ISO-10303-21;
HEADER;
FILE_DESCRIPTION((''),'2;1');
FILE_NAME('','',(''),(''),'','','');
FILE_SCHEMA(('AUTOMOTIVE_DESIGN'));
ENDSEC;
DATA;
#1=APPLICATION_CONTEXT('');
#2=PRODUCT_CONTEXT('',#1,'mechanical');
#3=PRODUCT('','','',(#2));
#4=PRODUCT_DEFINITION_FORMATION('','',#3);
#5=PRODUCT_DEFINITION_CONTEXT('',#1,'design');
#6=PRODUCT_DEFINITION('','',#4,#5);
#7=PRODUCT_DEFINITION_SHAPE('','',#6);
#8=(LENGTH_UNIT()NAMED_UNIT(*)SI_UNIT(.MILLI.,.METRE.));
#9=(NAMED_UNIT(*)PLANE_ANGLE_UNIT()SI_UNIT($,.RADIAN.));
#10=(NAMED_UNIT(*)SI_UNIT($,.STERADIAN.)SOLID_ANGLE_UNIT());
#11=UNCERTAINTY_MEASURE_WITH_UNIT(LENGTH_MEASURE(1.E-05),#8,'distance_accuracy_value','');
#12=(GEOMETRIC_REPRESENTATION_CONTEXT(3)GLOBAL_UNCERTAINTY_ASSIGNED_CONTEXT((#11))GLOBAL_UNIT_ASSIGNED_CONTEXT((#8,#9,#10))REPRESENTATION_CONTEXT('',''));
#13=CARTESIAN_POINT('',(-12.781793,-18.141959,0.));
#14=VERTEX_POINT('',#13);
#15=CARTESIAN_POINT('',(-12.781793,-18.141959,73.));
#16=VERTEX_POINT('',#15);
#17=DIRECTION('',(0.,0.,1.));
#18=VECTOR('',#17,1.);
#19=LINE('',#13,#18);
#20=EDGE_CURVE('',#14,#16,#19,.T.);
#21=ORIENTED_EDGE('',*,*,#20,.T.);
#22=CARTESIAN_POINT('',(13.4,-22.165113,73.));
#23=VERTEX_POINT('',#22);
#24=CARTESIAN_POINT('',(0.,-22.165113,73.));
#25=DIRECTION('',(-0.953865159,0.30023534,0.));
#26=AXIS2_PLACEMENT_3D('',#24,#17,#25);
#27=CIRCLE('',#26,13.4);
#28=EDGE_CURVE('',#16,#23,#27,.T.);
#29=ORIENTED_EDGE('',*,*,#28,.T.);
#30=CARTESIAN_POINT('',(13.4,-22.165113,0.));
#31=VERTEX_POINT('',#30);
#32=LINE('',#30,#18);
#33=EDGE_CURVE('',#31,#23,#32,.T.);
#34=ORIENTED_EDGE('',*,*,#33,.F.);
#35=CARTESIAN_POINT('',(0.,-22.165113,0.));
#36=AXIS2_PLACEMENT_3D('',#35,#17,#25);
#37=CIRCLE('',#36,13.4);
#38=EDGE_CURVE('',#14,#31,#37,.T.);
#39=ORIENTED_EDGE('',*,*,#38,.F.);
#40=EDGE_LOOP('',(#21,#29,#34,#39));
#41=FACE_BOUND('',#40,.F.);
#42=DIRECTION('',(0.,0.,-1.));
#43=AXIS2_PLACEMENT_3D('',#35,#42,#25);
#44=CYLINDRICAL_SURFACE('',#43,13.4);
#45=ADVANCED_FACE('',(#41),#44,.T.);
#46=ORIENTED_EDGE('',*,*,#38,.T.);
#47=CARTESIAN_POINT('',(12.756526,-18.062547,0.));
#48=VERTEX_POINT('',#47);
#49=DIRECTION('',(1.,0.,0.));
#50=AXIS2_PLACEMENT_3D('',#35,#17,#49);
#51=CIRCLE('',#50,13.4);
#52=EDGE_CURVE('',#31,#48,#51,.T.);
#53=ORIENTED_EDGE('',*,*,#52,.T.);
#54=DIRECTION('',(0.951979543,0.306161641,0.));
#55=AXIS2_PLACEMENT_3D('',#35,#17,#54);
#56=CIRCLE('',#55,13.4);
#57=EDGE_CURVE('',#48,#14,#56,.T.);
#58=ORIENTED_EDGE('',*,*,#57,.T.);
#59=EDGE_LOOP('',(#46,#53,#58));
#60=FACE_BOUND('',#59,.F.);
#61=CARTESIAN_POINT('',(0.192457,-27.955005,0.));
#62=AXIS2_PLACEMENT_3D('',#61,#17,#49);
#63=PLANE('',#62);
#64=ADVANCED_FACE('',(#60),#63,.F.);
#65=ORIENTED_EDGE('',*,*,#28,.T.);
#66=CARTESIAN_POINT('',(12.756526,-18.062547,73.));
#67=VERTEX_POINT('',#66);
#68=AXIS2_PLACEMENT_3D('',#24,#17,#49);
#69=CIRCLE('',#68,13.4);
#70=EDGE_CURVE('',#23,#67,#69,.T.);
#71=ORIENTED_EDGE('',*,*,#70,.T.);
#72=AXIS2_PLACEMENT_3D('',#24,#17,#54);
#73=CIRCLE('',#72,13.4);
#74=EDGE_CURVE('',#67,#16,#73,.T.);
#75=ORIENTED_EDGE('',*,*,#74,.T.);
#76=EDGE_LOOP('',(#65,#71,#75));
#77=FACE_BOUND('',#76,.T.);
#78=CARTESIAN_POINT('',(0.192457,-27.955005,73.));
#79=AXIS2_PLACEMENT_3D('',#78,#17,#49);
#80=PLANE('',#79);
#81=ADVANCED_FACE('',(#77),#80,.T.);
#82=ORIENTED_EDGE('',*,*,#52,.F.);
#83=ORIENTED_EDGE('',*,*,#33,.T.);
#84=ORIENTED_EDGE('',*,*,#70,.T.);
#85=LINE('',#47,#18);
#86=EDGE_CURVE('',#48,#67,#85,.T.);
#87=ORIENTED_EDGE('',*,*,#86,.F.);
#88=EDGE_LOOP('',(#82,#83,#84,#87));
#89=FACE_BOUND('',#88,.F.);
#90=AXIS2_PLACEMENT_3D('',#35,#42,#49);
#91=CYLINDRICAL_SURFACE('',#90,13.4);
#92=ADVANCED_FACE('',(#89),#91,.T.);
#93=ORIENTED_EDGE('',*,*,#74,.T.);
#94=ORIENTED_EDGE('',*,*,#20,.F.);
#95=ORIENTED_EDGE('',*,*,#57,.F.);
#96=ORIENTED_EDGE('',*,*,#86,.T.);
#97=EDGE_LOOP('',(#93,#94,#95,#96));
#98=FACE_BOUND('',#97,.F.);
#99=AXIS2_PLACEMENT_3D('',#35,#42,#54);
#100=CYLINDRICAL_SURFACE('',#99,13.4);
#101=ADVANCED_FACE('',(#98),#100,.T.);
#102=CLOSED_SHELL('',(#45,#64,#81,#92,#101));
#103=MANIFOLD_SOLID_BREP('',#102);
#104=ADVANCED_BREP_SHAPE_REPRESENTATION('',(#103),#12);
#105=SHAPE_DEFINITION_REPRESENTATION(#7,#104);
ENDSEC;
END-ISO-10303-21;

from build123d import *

# Parameters (mm, degrees)
F1_DEPTH = 73


with BuildPart() as f1:
    # F0 (on Top) → F1 (new body)
    with BuildSketch(Plane.XY):
        with BuildLine():
            ThreePointArc((13.4, -22.1651125194), (13.2381540755, -20.0887511173), (12.7565258698, -18.0625465257))
            ThreePointArc((12.7565258698, -18.0625465257), (12.5423859348, -18.2132615611), (12.3264750686, -18.3614284655))
            ThreePointArc((12.3264750686, -18.3614284655), (12.755812957, -20.2417727659), (12.9, -22.1651125194))
            ThreePointArc((12.9, -22.1651125194), (-1.883665929, -34.9268444813), (-12.3498918865, -18.4381606292))
            ThreePointArc((-12.3498918865, -18.4381606292), (-12.5667200304, -18.2913393444), (-12.7817931243, -18.1419589643))
            ThreePointArc((-12.7817931243, -18.1419589643), (-2.0351869858, -35.4096590927), (13.4, -22.1651125194))
        make_face()
        with BuildLine():
            ThreePointArc((12.3264750686, -18.3614284655), (12.5423859348, -18.2132615611), (12.7565258698, -18.0625465257))
            ThreePointArc((12.7565258698, -18.0625465257), (-0.041667642, -8.7651773028), (-12.7817931243, -18.1419589643))
            ThreePointArc((-12.7817931243, -18.1419589643), (-12.5667200304, -18.2913393444), (-12.3498918865, -18.4381606292))
            ThreePointArc((-12.3498918865, -18.4381606292), (-0.0401128792, -9.2651748855), (12.3264750686, -18.3614284655))
        make_face()
        with BuildLine():
            ThreePointArc((12.9, -22.1651125194), (12.755812957, -20.2417727659), (12.3264750686, -18.3614284655))
            ThreePointArc((12.3264750686, -18.3614284655), (0, -22.1651125194), (-12.3498918865, -18.4381606292))
            ThreePointArc((-12.3498918865, -18.4381606292), (-1.883665929, -34.9268444813), (12.9, -22.1651125194))
        make_face()
        with BuildLine():
            ThreePointArc((-12.3498918865, -18.4381606292), (0, -22.1651125194), (12.3264750686, -18.3614284655))
            ThreePointArc((12.3264750686, -18.3614284655), (-0.0401128792, -9.2651748855), (-12.3498918865, -18.4381606292))
        make_face()
    extrude(amount=F1_DEPTH)


solid = f1.part
